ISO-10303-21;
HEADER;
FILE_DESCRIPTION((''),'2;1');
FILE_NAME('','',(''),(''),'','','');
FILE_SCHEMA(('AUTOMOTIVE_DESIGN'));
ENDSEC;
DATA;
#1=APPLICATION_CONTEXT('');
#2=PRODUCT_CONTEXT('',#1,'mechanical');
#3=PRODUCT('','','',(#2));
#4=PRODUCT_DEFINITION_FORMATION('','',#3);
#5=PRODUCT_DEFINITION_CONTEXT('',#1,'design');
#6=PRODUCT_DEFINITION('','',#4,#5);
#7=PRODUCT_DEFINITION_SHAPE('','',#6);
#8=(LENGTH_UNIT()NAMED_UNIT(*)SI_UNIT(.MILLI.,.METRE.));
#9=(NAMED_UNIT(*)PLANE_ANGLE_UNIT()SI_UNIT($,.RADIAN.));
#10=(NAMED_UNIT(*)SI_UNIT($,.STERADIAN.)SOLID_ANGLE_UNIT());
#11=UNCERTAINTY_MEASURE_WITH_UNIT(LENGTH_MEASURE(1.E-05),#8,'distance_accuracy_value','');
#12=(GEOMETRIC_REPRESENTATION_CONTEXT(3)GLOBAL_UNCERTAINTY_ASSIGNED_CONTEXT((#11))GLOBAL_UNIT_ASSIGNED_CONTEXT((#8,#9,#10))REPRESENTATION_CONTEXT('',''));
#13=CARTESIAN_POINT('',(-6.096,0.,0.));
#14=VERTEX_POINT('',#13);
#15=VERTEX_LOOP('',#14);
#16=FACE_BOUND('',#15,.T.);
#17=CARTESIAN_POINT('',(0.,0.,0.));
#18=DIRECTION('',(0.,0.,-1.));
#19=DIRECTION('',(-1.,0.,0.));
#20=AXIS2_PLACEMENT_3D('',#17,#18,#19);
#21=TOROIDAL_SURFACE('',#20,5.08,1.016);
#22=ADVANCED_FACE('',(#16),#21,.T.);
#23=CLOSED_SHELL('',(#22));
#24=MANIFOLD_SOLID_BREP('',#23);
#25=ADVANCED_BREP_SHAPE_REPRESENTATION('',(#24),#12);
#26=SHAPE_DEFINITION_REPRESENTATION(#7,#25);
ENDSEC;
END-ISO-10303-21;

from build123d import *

# Parameters (mm, degrees)
SKETCH2_R = 1.016


with BuildPart() as part:
    # Sweep1: sweep along a path in Sketch1
    with BuildLine(Plane.XY) as sweep1_path:
        CenterArc((0, 0), 5.08, 0, 360)
    # Sketch2 → Sweep1 (sweep)
    with BuildSketch(Plane(origin=(0, 0, 0), x_dir=(1, 0, 0), z_dir=(0, 1, 0))):
        with Locations((5.08, 0)):
            Circle(SKETCH2_R)
    sweep(path=sweep1_path.line)


solid = part.part
